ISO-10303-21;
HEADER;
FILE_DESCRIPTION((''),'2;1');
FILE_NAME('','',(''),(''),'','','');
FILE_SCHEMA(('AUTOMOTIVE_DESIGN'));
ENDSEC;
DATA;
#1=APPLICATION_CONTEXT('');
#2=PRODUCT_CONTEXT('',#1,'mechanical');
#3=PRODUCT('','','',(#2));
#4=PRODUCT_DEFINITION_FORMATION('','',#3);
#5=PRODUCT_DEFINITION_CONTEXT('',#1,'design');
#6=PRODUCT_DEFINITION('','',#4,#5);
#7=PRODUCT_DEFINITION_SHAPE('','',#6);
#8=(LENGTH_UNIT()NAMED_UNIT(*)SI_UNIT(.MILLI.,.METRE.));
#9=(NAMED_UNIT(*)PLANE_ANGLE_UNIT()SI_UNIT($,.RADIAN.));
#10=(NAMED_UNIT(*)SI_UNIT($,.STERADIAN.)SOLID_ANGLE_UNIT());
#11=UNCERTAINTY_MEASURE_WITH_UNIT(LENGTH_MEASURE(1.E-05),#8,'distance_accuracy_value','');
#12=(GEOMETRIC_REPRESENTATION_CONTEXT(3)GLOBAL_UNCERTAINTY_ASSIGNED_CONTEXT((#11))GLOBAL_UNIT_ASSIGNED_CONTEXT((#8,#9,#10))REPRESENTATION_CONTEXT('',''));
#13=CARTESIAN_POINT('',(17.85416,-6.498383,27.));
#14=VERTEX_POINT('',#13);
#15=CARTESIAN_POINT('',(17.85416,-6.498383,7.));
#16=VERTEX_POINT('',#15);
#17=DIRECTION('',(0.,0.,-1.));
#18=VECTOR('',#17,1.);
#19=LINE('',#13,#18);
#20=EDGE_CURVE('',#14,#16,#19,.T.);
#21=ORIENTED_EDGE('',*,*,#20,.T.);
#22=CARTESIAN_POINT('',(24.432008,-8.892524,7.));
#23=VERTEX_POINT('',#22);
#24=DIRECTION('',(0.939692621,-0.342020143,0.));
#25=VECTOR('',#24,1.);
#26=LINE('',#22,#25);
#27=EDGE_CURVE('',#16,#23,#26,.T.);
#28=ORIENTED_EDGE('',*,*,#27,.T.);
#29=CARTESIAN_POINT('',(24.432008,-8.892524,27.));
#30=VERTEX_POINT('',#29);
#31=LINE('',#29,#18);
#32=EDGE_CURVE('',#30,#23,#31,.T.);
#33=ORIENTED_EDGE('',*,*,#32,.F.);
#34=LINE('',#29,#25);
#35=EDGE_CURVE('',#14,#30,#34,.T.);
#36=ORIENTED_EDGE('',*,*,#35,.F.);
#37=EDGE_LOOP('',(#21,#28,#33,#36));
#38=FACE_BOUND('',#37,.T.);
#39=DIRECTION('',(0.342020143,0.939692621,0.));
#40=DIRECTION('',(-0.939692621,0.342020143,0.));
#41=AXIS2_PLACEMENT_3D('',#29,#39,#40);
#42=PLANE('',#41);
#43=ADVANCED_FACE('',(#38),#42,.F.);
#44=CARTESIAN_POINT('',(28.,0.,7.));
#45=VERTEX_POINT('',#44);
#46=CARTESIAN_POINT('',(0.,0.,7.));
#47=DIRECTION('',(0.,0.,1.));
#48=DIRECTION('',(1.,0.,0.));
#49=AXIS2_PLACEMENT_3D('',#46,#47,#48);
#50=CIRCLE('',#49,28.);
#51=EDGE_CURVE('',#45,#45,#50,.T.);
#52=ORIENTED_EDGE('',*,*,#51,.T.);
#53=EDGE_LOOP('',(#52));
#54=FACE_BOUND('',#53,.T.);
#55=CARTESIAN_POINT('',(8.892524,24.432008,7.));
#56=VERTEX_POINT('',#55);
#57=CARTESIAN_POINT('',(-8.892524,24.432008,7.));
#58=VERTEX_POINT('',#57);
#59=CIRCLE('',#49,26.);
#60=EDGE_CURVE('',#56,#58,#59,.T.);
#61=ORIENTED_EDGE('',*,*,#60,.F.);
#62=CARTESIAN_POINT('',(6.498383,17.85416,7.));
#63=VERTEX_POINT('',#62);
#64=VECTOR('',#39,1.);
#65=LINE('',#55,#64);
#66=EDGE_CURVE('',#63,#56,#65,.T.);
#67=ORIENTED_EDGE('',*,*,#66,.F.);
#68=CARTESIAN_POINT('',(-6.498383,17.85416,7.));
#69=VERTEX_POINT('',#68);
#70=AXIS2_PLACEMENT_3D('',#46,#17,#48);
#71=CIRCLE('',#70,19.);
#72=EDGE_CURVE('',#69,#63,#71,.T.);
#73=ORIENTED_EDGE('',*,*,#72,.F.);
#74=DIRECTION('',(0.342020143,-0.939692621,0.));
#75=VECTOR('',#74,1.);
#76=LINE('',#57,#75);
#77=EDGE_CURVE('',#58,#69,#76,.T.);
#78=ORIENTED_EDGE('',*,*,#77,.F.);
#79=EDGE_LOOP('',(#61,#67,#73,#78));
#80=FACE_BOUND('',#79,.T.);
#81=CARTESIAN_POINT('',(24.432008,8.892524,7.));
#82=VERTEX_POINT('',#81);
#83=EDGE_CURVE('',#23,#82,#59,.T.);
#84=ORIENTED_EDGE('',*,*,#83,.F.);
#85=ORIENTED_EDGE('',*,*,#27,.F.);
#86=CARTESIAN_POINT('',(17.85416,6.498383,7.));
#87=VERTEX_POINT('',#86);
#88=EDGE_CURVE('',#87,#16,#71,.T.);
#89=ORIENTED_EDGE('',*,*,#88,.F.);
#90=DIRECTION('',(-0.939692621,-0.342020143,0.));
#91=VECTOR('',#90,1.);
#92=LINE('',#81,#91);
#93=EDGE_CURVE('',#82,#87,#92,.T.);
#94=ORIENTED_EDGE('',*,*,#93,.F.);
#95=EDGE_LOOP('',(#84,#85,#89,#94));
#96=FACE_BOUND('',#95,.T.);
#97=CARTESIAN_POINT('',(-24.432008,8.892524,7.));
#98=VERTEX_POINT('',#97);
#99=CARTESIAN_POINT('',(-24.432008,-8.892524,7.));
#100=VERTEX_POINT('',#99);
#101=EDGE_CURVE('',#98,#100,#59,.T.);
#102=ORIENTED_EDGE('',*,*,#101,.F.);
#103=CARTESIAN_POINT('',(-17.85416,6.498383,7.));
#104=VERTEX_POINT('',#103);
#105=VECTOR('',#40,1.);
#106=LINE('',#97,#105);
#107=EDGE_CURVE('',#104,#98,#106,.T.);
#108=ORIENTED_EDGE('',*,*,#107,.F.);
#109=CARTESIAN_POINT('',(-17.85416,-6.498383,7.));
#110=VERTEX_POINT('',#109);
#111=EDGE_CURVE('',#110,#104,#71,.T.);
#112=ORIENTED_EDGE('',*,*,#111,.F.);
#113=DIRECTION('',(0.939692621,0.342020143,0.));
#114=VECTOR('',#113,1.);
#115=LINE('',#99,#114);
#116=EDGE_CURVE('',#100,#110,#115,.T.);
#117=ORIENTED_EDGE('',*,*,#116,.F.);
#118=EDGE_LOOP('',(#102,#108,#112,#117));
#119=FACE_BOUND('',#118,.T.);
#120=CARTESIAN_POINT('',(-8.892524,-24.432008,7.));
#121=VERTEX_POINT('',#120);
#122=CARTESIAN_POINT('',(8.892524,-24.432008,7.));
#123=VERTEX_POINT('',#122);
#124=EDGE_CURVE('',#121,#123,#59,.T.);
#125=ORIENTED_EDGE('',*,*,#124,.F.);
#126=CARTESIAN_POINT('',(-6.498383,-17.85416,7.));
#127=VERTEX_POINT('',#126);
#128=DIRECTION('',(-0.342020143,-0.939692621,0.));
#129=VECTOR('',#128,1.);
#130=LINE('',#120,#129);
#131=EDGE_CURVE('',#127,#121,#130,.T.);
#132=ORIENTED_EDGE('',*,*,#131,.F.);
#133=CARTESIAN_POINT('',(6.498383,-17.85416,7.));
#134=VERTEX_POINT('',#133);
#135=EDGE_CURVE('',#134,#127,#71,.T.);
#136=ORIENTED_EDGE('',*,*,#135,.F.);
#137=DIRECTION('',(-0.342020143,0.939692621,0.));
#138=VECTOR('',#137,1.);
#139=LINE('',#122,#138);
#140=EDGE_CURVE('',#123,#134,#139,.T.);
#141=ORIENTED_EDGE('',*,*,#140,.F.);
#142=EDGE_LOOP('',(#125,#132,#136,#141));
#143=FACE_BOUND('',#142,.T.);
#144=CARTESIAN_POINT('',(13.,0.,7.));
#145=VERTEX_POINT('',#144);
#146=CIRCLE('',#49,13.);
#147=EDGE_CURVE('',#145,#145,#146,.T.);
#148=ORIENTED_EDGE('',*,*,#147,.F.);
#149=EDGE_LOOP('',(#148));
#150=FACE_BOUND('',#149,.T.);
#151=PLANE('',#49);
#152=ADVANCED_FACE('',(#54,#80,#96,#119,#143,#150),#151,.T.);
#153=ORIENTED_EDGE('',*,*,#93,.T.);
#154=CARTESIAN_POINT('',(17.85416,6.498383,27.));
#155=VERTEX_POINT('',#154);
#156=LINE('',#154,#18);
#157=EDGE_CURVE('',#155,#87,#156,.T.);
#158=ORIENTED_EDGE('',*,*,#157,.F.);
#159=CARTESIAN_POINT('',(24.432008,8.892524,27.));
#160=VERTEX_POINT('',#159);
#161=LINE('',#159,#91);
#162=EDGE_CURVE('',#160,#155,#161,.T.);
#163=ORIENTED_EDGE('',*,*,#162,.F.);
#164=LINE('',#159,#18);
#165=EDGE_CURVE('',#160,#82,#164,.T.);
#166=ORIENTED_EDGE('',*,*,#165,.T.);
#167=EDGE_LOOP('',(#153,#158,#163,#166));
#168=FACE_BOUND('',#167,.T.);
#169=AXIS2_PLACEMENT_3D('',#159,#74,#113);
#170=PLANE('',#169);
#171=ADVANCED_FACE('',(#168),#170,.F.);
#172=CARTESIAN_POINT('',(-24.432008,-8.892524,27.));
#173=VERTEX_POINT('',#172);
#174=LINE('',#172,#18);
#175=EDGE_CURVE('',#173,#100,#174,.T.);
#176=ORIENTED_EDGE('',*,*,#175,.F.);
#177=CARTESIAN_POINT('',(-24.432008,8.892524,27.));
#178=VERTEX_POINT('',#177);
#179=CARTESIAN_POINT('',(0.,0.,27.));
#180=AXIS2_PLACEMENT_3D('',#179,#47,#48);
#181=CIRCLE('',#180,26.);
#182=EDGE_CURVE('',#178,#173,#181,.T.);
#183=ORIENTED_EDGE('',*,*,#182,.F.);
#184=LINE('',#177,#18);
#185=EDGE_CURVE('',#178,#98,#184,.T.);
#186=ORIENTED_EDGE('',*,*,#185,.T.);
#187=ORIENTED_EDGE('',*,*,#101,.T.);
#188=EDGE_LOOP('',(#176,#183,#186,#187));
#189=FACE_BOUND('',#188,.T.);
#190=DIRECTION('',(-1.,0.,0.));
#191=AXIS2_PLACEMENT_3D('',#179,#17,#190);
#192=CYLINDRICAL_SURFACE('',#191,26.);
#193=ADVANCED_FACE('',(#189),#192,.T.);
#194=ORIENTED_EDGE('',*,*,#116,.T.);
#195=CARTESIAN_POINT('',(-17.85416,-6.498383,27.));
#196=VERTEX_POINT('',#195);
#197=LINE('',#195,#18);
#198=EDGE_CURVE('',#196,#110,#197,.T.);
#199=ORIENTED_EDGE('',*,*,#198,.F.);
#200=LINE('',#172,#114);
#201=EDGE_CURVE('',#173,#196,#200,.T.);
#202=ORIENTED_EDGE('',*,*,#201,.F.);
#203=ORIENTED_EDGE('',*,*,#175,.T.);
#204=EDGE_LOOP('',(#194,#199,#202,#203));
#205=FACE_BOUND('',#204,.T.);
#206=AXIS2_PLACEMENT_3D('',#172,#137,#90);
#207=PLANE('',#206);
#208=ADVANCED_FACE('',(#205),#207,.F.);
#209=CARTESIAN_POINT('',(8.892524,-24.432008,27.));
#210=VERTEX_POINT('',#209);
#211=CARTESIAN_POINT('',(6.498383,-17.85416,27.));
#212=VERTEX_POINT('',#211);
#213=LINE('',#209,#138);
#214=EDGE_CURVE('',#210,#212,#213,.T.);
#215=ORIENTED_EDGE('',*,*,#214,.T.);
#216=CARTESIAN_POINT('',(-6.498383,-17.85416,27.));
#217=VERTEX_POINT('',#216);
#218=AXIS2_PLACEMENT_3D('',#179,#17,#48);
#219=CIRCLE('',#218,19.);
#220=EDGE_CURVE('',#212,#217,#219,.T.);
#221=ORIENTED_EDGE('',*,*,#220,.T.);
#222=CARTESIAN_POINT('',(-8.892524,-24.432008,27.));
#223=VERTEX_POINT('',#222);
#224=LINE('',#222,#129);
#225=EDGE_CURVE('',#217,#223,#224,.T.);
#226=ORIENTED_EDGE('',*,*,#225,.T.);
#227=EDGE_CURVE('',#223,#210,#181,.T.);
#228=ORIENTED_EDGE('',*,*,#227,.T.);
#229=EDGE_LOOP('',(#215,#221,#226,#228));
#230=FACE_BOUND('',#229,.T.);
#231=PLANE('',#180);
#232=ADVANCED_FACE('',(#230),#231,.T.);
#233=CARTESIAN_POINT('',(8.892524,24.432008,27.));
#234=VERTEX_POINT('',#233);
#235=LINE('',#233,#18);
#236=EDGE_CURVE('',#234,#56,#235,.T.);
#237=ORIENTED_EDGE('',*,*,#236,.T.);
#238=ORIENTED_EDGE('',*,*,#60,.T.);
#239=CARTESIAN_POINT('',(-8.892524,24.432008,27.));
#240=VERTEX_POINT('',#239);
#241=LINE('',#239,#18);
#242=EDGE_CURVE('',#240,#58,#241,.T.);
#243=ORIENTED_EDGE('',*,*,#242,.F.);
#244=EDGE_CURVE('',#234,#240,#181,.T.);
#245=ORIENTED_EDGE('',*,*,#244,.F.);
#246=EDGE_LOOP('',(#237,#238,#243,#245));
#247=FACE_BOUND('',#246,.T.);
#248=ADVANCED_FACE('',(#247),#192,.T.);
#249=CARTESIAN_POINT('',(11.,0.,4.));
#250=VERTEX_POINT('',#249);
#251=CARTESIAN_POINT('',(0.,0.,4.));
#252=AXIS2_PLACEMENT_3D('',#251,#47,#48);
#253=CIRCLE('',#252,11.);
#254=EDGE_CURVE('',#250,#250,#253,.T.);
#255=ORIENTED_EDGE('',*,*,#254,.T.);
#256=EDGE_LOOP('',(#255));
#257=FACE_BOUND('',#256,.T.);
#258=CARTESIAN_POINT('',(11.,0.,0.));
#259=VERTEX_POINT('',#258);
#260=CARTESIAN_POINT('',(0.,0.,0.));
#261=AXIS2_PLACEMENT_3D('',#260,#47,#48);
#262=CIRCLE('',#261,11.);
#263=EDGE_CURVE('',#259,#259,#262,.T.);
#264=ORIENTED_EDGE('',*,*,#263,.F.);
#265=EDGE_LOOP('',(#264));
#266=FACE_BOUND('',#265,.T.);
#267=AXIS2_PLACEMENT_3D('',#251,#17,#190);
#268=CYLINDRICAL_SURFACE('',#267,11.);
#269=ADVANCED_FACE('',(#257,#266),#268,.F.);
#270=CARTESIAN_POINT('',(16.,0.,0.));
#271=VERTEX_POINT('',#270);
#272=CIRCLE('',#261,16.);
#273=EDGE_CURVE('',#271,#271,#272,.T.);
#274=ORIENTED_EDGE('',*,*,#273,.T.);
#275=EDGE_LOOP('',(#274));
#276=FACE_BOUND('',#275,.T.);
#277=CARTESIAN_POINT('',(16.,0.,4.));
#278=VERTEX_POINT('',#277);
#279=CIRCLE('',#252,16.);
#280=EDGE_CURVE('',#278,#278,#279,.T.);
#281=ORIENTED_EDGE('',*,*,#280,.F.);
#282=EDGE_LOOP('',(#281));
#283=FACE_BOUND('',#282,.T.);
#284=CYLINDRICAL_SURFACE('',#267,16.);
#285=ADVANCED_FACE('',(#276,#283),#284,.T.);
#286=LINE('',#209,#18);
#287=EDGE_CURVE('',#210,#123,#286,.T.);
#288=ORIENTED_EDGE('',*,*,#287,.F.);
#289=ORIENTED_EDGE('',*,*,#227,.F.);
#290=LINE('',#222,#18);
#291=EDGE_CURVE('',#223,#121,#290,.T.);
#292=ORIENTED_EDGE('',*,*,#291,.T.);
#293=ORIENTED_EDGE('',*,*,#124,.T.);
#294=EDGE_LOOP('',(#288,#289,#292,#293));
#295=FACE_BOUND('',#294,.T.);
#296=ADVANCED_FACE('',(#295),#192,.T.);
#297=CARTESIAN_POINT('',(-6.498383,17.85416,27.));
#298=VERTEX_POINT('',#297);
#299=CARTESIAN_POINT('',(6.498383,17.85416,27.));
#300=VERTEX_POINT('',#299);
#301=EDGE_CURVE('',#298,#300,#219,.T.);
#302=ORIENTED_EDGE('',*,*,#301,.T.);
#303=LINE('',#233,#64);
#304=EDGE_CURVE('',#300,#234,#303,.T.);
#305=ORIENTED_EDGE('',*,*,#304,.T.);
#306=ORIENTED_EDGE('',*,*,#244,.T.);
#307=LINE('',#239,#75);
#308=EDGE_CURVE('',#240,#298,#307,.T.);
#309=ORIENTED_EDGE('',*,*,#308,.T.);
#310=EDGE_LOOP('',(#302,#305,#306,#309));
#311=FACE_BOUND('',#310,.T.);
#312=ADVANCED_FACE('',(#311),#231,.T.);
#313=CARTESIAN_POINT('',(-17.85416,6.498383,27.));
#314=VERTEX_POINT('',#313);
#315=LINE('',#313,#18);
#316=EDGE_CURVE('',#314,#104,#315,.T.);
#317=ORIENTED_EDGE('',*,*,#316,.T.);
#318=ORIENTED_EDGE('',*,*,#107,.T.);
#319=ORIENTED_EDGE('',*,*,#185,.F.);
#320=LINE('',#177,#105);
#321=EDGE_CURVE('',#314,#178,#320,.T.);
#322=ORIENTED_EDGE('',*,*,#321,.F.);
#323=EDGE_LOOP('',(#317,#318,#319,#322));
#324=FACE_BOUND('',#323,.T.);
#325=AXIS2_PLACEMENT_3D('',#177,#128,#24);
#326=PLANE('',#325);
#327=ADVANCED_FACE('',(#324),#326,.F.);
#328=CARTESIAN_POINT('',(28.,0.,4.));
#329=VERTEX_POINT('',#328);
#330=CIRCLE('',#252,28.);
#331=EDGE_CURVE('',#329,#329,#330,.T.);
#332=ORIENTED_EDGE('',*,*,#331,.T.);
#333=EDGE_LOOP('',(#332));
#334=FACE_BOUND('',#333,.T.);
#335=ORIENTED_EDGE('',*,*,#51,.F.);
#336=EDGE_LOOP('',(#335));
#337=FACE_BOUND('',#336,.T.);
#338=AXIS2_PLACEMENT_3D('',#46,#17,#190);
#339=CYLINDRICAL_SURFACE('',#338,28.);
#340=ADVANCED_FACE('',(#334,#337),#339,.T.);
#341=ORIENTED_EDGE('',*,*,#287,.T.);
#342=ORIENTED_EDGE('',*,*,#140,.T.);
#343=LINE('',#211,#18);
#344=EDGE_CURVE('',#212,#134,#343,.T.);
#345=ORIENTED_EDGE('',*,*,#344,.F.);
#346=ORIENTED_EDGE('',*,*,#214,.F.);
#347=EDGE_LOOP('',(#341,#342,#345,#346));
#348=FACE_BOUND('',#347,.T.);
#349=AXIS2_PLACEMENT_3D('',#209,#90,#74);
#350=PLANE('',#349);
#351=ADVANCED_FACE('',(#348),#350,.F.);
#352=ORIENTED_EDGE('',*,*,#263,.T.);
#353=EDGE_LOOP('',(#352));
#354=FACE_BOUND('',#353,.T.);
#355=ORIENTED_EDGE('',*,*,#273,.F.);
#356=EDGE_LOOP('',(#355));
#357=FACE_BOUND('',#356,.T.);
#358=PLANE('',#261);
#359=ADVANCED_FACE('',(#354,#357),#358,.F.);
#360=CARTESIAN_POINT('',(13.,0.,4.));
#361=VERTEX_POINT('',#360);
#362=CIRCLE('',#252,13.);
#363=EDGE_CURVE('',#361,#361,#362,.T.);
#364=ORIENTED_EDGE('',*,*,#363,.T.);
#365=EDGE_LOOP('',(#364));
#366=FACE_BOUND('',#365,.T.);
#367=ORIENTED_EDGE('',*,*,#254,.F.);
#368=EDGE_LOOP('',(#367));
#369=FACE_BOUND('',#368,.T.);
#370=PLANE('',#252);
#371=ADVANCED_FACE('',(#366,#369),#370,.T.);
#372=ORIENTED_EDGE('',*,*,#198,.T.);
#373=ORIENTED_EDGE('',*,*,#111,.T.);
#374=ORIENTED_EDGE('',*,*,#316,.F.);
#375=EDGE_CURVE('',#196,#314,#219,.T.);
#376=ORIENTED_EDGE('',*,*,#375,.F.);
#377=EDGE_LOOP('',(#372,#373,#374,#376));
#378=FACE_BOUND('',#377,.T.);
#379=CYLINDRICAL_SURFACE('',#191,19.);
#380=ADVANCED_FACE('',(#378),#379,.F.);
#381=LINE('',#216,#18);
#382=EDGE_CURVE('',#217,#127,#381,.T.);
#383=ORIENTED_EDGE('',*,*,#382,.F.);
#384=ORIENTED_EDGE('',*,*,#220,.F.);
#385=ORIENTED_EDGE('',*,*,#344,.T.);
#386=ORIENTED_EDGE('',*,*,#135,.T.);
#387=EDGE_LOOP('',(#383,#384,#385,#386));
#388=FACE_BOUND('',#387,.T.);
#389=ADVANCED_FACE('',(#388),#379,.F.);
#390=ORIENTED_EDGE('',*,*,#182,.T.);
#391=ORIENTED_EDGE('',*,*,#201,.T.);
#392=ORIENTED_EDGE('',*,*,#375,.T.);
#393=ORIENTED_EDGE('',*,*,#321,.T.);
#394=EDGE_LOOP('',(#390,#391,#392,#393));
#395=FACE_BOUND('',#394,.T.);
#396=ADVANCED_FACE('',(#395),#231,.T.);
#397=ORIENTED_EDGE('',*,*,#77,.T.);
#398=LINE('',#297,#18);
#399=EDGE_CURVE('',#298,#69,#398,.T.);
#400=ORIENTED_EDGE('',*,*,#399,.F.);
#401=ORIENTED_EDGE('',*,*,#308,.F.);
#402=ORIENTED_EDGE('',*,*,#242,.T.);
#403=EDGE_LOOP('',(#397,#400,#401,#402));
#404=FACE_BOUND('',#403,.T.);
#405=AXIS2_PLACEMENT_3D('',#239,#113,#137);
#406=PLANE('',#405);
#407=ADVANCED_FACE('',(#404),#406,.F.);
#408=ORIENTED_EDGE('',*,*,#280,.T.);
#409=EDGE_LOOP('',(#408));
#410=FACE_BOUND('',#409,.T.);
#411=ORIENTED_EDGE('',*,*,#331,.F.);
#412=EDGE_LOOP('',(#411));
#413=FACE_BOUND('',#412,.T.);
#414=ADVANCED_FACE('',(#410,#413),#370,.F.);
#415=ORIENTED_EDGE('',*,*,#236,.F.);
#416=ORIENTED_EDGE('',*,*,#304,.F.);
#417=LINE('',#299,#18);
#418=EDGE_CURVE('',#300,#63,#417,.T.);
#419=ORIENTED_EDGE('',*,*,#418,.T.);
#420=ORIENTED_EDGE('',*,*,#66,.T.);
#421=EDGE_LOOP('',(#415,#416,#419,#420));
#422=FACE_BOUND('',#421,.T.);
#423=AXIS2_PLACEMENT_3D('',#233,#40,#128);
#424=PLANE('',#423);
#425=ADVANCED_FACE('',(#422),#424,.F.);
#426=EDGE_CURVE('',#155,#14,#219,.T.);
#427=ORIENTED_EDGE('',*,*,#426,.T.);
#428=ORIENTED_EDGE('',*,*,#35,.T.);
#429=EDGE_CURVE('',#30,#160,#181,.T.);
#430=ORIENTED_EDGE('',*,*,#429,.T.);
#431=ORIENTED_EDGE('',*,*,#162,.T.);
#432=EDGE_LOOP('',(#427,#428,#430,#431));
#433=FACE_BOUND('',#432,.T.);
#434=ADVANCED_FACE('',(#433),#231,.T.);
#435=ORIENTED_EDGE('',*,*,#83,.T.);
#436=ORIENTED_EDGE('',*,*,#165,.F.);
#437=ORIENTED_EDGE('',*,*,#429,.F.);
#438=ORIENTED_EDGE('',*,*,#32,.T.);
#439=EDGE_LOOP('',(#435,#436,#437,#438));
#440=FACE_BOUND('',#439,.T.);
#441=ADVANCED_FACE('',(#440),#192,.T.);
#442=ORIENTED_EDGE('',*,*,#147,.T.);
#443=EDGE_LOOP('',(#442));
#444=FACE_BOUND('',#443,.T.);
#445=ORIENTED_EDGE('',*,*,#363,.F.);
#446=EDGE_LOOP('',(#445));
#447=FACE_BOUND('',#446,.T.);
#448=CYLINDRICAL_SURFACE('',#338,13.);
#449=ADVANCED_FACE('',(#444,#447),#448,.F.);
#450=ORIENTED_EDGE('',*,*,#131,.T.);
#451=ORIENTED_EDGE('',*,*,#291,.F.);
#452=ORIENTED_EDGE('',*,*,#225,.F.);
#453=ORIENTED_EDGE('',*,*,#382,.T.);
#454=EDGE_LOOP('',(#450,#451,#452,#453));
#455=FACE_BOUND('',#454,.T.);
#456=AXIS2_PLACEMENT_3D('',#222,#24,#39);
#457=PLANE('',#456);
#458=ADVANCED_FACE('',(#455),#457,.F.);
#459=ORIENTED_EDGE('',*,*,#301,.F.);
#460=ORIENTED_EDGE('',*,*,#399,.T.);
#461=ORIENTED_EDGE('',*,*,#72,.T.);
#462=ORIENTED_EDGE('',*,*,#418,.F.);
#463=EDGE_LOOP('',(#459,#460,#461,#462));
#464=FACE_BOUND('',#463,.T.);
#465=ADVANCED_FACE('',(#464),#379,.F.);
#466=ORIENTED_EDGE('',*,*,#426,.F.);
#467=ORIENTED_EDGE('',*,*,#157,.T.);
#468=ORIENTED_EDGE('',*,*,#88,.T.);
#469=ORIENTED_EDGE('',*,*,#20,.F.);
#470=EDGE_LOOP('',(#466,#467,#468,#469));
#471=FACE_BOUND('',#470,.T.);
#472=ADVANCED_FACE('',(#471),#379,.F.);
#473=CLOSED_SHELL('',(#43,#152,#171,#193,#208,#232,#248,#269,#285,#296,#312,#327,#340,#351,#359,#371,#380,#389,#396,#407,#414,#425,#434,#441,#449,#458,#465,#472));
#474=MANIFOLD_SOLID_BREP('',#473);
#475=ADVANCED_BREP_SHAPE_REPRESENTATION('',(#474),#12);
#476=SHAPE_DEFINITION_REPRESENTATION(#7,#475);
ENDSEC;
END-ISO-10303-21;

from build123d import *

# Parameters (mm, degrees)
SKETCH_1_R      = 16
SKETCH_1_R_2    = 11
EXTRUDE_1_DEPTH = 4
SKETCH_2_R      = 28
SKETCH_2_R_2    = 13
EXTRUDE_2_DEPTH = 3
EXTRUDE_3_DEPTH = 20


with BuildPart() as part:
    # 草图1 → 凸台-拉伸1 (new body)
    with BuildSketch(Plane.XY):
        Circle(SKETCH_1_R)
        Circle(SKETCH_1_R_2, mode=Mode.SUBTRACT)
    extrude(amount=EXTRUDE_1_DEPTH)

    # 草图2 → 凸台-拉伸2 (add)
    with BuildSketch(Plane.XY.offset(4)):
        Circle(SKETCH_2_R)
        Circle(SKETCH_2_R_2, mode=Mode.SUBTRACT)
    extrude(amount=EXTRUDE_2_DEPTH)

    # 草图3 → 凸台-拉伸3 (add)
    with BuildSketch(Plane.XY.offset(7)):
        with BuildLine():
            Line((-8.892523726, 24.43200814), (-6.498382723, 17.854159795))
            ThreePointArc((-6.498382723, 17.854159795), (0, 19), (6.498382723, 17.854159795))
            Line((6.498382723, 17.854159795), (8.892523726, 24.43200814))
            ThreePointArc((8.892523726, 24.43200814), (0, 26), (-8.892523726, 24.43200814))
        make_face()
        with BuildLine():
            Line((24.43200814, 8.892523726), (17.854159795, 6.498382723))
            ThreePointArc((17.854159795, 6.498382723), (19, 0), (17.854159795, -6.498382723))
            Line((17.854159795, -6.498382723), (24.43200814, -8.892523726))
            ThreePointArc((24.43200814, -8.892523726), (26, 0), (24.43200814, 8.892523726))
        make_face()
        with BuildLine():
            Line((8.892523726, -24.43200814), (6.498382723, -17.854159795))
            ThreePointArc((6.498382723, -17.854159795), (0, -19), (-6.498382723, -17.854159795))
            Line((-6.498382723, -17.854159795), (-8.892523726, -24.43200814))
            ThreePointArc((-8.892523726, -24.43200814), (0, -26), (8.892523726, -24.43200814))
        make_face()
        with BuildLine():
            Line((-24.43200814, -8.892523726), (-17.854159795, -6.498382723))
            ThreePointArc((-17.854159795, -6.498382723), (-19, 0), (-17.854159795, 6.498382723))
            Line((-17.854159795, 6.498382723), (-24.43200814, 8.892523726))
            ThreePointArc((-24.43200814, 8.892523726), (-26, 0), (-24.43200814, -8.892523726))
        make_face()
    extrude(amount=EXTRUDE_3_DEPTH)


solid = part.part
